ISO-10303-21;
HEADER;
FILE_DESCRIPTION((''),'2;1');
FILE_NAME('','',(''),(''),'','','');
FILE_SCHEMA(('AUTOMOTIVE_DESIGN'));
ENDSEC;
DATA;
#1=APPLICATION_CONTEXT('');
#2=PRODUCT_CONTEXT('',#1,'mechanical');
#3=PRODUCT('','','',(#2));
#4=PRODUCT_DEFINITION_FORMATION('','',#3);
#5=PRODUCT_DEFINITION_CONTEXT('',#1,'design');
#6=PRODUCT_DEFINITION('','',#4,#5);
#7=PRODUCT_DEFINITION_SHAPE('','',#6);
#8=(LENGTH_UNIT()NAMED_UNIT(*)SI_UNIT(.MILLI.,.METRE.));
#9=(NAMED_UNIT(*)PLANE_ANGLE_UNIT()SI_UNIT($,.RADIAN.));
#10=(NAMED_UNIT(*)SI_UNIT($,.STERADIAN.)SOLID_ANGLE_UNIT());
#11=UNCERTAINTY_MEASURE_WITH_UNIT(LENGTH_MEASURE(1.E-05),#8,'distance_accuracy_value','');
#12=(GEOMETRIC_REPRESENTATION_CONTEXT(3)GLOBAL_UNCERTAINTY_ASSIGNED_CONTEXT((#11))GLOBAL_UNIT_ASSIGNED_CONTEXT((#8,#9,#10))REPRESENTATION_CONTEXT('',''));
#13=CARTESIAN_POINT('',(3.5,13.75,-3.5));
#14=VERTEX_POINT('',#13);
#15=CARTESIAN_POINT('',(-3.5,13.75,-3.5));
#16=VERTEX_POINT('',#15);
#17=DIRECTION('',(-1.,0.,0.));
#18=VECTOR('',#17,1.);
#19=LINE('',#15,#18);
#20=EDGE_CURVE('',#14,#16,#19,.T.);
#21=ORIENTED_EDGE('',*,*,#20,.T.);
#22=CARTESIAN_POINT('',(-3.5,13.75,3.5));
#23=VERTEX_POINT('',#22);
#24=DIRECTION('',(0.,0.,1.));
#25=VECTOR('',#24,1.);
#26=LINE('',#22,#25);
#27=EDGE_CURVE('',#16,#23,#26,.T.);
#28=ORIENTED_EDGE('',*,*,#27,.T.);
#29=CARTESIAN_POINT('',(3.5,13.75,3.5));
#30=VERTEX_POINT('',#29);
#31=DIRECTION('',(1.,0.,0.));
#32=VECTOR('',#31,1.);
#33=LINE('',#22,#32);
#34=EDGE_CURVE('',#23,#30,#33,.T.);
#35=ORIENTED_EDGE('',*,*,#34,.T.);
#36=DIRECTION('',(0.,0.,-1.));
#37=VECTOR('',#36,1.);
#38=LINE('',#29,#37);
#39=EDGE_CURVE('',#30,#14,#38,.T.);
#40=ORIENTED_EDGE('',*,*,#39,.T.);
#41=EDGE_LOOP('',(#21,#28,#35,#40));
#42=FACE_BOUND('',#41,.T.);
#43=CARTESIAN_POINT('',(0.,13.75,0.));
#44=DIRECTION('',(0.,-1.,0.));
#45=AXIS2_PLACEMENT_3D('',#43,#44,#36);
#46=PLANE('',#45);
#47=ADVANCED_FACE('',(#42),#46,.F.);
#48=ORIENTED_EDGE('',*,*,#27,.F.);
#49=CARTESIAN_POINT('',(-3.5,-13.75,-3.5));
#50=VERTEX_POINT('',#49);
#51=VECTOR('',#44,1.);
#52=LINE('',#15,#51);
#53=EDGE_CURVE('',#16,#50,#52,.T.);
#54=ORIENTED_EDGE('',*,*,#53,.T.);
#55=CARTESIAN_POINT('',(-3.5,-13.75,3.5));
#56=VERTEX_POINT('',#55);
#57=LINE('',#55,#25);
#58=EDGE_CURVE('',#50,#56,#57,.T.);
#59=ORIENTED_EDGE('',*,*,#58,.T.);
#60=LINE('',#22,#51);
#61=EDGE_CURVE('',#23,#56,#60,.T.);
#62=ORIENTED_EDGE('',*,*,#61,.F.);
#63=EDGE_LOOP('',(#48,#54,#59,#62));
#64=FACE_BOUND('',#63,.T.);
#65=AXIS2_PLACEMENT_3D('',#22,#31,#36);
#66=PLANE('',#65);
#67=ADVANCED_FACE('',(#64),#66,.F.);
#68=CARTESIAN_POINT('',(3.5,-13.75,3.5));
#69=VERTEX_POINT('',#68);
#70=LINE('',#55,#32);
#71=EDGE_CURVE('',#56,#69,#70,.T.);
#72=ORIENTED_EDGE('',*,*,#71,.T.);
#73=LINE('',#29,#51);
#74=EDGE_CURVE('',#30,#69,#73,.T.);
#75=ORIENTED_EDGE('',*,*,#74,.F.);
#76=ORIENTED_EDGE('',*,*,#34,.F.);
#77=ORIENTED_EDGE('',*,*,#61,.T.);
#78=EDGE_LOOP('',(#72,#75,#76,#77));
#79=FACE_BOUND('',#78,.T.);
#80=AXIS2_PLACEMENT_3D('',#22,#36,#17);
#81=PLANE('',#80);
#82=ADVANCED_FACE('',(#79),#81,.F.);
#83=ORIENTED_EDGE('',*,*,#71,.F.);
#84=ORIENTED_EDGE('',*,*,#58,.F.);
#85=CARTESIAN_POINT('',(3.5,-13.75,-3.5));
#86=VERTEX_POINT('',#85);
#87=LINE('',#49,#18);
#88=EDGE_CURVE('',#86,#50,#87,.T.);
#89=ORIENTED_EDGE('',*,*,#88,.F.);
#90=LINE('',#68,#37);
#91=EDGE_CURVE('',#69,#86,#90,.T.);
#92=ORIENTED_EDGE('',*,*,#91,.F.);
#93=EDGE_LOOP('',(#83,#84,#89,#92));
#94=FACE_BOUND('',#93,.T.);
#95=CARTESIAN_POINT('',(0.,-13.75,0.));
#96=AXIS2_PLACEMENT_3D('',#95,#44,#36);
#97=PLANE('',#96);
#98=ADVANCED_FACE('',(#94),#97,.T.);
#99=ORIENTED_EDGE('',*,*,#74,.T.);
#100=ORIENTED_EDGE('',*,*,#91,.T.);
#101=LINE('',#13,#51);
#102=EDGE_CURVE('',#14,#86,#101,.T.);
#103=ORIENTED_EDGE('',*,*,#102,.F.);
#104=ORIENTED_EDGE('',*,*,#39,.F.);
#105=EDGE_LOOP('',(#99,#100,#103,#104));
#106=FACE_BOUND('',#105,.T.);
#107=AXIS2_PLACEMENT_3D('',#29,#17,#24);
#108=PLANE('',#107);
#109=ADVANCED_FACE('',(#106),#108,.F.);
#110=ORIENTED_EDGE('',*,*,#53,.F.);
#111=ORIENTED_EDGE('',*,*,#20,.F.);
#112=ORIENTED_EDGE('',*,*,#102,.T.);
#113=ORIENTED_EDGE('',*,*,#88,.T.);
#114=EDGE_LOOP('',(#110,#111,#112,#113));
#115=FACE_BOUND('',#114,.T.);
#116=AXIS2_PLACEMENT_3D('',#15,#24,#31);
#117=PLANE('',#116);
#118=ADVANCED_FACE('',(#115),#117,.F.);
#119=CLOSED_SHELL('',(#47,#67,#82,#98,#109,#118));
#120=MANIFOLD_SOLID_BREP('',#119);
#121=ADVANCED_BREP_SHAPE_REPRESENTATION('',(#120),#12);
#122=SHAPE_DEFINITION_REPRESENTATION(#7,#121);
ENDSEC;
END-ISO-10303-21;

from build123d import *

# Parameters (mm, degrees)
CROQUIS1_W              = 7
CROQUIS1_H              = 7
SALIENTE_EXTRUIR1_DEPTH = 13.75


with BuildPart() as part:
    # Croquis1 → Saliente-Extruir1 (new, symmetric)
    with BuildSketch(Plane(origin=(0, 0, 0), x_dir=(1, 0, 0), z_dir=(0, 1, 0))):
        Rectangle(CROQUIS1_W, CROQUIS1_H)
    extrude(amount=SALIENTE_EXTRUIR1_DEPTH, both=True)


solid = part.part
